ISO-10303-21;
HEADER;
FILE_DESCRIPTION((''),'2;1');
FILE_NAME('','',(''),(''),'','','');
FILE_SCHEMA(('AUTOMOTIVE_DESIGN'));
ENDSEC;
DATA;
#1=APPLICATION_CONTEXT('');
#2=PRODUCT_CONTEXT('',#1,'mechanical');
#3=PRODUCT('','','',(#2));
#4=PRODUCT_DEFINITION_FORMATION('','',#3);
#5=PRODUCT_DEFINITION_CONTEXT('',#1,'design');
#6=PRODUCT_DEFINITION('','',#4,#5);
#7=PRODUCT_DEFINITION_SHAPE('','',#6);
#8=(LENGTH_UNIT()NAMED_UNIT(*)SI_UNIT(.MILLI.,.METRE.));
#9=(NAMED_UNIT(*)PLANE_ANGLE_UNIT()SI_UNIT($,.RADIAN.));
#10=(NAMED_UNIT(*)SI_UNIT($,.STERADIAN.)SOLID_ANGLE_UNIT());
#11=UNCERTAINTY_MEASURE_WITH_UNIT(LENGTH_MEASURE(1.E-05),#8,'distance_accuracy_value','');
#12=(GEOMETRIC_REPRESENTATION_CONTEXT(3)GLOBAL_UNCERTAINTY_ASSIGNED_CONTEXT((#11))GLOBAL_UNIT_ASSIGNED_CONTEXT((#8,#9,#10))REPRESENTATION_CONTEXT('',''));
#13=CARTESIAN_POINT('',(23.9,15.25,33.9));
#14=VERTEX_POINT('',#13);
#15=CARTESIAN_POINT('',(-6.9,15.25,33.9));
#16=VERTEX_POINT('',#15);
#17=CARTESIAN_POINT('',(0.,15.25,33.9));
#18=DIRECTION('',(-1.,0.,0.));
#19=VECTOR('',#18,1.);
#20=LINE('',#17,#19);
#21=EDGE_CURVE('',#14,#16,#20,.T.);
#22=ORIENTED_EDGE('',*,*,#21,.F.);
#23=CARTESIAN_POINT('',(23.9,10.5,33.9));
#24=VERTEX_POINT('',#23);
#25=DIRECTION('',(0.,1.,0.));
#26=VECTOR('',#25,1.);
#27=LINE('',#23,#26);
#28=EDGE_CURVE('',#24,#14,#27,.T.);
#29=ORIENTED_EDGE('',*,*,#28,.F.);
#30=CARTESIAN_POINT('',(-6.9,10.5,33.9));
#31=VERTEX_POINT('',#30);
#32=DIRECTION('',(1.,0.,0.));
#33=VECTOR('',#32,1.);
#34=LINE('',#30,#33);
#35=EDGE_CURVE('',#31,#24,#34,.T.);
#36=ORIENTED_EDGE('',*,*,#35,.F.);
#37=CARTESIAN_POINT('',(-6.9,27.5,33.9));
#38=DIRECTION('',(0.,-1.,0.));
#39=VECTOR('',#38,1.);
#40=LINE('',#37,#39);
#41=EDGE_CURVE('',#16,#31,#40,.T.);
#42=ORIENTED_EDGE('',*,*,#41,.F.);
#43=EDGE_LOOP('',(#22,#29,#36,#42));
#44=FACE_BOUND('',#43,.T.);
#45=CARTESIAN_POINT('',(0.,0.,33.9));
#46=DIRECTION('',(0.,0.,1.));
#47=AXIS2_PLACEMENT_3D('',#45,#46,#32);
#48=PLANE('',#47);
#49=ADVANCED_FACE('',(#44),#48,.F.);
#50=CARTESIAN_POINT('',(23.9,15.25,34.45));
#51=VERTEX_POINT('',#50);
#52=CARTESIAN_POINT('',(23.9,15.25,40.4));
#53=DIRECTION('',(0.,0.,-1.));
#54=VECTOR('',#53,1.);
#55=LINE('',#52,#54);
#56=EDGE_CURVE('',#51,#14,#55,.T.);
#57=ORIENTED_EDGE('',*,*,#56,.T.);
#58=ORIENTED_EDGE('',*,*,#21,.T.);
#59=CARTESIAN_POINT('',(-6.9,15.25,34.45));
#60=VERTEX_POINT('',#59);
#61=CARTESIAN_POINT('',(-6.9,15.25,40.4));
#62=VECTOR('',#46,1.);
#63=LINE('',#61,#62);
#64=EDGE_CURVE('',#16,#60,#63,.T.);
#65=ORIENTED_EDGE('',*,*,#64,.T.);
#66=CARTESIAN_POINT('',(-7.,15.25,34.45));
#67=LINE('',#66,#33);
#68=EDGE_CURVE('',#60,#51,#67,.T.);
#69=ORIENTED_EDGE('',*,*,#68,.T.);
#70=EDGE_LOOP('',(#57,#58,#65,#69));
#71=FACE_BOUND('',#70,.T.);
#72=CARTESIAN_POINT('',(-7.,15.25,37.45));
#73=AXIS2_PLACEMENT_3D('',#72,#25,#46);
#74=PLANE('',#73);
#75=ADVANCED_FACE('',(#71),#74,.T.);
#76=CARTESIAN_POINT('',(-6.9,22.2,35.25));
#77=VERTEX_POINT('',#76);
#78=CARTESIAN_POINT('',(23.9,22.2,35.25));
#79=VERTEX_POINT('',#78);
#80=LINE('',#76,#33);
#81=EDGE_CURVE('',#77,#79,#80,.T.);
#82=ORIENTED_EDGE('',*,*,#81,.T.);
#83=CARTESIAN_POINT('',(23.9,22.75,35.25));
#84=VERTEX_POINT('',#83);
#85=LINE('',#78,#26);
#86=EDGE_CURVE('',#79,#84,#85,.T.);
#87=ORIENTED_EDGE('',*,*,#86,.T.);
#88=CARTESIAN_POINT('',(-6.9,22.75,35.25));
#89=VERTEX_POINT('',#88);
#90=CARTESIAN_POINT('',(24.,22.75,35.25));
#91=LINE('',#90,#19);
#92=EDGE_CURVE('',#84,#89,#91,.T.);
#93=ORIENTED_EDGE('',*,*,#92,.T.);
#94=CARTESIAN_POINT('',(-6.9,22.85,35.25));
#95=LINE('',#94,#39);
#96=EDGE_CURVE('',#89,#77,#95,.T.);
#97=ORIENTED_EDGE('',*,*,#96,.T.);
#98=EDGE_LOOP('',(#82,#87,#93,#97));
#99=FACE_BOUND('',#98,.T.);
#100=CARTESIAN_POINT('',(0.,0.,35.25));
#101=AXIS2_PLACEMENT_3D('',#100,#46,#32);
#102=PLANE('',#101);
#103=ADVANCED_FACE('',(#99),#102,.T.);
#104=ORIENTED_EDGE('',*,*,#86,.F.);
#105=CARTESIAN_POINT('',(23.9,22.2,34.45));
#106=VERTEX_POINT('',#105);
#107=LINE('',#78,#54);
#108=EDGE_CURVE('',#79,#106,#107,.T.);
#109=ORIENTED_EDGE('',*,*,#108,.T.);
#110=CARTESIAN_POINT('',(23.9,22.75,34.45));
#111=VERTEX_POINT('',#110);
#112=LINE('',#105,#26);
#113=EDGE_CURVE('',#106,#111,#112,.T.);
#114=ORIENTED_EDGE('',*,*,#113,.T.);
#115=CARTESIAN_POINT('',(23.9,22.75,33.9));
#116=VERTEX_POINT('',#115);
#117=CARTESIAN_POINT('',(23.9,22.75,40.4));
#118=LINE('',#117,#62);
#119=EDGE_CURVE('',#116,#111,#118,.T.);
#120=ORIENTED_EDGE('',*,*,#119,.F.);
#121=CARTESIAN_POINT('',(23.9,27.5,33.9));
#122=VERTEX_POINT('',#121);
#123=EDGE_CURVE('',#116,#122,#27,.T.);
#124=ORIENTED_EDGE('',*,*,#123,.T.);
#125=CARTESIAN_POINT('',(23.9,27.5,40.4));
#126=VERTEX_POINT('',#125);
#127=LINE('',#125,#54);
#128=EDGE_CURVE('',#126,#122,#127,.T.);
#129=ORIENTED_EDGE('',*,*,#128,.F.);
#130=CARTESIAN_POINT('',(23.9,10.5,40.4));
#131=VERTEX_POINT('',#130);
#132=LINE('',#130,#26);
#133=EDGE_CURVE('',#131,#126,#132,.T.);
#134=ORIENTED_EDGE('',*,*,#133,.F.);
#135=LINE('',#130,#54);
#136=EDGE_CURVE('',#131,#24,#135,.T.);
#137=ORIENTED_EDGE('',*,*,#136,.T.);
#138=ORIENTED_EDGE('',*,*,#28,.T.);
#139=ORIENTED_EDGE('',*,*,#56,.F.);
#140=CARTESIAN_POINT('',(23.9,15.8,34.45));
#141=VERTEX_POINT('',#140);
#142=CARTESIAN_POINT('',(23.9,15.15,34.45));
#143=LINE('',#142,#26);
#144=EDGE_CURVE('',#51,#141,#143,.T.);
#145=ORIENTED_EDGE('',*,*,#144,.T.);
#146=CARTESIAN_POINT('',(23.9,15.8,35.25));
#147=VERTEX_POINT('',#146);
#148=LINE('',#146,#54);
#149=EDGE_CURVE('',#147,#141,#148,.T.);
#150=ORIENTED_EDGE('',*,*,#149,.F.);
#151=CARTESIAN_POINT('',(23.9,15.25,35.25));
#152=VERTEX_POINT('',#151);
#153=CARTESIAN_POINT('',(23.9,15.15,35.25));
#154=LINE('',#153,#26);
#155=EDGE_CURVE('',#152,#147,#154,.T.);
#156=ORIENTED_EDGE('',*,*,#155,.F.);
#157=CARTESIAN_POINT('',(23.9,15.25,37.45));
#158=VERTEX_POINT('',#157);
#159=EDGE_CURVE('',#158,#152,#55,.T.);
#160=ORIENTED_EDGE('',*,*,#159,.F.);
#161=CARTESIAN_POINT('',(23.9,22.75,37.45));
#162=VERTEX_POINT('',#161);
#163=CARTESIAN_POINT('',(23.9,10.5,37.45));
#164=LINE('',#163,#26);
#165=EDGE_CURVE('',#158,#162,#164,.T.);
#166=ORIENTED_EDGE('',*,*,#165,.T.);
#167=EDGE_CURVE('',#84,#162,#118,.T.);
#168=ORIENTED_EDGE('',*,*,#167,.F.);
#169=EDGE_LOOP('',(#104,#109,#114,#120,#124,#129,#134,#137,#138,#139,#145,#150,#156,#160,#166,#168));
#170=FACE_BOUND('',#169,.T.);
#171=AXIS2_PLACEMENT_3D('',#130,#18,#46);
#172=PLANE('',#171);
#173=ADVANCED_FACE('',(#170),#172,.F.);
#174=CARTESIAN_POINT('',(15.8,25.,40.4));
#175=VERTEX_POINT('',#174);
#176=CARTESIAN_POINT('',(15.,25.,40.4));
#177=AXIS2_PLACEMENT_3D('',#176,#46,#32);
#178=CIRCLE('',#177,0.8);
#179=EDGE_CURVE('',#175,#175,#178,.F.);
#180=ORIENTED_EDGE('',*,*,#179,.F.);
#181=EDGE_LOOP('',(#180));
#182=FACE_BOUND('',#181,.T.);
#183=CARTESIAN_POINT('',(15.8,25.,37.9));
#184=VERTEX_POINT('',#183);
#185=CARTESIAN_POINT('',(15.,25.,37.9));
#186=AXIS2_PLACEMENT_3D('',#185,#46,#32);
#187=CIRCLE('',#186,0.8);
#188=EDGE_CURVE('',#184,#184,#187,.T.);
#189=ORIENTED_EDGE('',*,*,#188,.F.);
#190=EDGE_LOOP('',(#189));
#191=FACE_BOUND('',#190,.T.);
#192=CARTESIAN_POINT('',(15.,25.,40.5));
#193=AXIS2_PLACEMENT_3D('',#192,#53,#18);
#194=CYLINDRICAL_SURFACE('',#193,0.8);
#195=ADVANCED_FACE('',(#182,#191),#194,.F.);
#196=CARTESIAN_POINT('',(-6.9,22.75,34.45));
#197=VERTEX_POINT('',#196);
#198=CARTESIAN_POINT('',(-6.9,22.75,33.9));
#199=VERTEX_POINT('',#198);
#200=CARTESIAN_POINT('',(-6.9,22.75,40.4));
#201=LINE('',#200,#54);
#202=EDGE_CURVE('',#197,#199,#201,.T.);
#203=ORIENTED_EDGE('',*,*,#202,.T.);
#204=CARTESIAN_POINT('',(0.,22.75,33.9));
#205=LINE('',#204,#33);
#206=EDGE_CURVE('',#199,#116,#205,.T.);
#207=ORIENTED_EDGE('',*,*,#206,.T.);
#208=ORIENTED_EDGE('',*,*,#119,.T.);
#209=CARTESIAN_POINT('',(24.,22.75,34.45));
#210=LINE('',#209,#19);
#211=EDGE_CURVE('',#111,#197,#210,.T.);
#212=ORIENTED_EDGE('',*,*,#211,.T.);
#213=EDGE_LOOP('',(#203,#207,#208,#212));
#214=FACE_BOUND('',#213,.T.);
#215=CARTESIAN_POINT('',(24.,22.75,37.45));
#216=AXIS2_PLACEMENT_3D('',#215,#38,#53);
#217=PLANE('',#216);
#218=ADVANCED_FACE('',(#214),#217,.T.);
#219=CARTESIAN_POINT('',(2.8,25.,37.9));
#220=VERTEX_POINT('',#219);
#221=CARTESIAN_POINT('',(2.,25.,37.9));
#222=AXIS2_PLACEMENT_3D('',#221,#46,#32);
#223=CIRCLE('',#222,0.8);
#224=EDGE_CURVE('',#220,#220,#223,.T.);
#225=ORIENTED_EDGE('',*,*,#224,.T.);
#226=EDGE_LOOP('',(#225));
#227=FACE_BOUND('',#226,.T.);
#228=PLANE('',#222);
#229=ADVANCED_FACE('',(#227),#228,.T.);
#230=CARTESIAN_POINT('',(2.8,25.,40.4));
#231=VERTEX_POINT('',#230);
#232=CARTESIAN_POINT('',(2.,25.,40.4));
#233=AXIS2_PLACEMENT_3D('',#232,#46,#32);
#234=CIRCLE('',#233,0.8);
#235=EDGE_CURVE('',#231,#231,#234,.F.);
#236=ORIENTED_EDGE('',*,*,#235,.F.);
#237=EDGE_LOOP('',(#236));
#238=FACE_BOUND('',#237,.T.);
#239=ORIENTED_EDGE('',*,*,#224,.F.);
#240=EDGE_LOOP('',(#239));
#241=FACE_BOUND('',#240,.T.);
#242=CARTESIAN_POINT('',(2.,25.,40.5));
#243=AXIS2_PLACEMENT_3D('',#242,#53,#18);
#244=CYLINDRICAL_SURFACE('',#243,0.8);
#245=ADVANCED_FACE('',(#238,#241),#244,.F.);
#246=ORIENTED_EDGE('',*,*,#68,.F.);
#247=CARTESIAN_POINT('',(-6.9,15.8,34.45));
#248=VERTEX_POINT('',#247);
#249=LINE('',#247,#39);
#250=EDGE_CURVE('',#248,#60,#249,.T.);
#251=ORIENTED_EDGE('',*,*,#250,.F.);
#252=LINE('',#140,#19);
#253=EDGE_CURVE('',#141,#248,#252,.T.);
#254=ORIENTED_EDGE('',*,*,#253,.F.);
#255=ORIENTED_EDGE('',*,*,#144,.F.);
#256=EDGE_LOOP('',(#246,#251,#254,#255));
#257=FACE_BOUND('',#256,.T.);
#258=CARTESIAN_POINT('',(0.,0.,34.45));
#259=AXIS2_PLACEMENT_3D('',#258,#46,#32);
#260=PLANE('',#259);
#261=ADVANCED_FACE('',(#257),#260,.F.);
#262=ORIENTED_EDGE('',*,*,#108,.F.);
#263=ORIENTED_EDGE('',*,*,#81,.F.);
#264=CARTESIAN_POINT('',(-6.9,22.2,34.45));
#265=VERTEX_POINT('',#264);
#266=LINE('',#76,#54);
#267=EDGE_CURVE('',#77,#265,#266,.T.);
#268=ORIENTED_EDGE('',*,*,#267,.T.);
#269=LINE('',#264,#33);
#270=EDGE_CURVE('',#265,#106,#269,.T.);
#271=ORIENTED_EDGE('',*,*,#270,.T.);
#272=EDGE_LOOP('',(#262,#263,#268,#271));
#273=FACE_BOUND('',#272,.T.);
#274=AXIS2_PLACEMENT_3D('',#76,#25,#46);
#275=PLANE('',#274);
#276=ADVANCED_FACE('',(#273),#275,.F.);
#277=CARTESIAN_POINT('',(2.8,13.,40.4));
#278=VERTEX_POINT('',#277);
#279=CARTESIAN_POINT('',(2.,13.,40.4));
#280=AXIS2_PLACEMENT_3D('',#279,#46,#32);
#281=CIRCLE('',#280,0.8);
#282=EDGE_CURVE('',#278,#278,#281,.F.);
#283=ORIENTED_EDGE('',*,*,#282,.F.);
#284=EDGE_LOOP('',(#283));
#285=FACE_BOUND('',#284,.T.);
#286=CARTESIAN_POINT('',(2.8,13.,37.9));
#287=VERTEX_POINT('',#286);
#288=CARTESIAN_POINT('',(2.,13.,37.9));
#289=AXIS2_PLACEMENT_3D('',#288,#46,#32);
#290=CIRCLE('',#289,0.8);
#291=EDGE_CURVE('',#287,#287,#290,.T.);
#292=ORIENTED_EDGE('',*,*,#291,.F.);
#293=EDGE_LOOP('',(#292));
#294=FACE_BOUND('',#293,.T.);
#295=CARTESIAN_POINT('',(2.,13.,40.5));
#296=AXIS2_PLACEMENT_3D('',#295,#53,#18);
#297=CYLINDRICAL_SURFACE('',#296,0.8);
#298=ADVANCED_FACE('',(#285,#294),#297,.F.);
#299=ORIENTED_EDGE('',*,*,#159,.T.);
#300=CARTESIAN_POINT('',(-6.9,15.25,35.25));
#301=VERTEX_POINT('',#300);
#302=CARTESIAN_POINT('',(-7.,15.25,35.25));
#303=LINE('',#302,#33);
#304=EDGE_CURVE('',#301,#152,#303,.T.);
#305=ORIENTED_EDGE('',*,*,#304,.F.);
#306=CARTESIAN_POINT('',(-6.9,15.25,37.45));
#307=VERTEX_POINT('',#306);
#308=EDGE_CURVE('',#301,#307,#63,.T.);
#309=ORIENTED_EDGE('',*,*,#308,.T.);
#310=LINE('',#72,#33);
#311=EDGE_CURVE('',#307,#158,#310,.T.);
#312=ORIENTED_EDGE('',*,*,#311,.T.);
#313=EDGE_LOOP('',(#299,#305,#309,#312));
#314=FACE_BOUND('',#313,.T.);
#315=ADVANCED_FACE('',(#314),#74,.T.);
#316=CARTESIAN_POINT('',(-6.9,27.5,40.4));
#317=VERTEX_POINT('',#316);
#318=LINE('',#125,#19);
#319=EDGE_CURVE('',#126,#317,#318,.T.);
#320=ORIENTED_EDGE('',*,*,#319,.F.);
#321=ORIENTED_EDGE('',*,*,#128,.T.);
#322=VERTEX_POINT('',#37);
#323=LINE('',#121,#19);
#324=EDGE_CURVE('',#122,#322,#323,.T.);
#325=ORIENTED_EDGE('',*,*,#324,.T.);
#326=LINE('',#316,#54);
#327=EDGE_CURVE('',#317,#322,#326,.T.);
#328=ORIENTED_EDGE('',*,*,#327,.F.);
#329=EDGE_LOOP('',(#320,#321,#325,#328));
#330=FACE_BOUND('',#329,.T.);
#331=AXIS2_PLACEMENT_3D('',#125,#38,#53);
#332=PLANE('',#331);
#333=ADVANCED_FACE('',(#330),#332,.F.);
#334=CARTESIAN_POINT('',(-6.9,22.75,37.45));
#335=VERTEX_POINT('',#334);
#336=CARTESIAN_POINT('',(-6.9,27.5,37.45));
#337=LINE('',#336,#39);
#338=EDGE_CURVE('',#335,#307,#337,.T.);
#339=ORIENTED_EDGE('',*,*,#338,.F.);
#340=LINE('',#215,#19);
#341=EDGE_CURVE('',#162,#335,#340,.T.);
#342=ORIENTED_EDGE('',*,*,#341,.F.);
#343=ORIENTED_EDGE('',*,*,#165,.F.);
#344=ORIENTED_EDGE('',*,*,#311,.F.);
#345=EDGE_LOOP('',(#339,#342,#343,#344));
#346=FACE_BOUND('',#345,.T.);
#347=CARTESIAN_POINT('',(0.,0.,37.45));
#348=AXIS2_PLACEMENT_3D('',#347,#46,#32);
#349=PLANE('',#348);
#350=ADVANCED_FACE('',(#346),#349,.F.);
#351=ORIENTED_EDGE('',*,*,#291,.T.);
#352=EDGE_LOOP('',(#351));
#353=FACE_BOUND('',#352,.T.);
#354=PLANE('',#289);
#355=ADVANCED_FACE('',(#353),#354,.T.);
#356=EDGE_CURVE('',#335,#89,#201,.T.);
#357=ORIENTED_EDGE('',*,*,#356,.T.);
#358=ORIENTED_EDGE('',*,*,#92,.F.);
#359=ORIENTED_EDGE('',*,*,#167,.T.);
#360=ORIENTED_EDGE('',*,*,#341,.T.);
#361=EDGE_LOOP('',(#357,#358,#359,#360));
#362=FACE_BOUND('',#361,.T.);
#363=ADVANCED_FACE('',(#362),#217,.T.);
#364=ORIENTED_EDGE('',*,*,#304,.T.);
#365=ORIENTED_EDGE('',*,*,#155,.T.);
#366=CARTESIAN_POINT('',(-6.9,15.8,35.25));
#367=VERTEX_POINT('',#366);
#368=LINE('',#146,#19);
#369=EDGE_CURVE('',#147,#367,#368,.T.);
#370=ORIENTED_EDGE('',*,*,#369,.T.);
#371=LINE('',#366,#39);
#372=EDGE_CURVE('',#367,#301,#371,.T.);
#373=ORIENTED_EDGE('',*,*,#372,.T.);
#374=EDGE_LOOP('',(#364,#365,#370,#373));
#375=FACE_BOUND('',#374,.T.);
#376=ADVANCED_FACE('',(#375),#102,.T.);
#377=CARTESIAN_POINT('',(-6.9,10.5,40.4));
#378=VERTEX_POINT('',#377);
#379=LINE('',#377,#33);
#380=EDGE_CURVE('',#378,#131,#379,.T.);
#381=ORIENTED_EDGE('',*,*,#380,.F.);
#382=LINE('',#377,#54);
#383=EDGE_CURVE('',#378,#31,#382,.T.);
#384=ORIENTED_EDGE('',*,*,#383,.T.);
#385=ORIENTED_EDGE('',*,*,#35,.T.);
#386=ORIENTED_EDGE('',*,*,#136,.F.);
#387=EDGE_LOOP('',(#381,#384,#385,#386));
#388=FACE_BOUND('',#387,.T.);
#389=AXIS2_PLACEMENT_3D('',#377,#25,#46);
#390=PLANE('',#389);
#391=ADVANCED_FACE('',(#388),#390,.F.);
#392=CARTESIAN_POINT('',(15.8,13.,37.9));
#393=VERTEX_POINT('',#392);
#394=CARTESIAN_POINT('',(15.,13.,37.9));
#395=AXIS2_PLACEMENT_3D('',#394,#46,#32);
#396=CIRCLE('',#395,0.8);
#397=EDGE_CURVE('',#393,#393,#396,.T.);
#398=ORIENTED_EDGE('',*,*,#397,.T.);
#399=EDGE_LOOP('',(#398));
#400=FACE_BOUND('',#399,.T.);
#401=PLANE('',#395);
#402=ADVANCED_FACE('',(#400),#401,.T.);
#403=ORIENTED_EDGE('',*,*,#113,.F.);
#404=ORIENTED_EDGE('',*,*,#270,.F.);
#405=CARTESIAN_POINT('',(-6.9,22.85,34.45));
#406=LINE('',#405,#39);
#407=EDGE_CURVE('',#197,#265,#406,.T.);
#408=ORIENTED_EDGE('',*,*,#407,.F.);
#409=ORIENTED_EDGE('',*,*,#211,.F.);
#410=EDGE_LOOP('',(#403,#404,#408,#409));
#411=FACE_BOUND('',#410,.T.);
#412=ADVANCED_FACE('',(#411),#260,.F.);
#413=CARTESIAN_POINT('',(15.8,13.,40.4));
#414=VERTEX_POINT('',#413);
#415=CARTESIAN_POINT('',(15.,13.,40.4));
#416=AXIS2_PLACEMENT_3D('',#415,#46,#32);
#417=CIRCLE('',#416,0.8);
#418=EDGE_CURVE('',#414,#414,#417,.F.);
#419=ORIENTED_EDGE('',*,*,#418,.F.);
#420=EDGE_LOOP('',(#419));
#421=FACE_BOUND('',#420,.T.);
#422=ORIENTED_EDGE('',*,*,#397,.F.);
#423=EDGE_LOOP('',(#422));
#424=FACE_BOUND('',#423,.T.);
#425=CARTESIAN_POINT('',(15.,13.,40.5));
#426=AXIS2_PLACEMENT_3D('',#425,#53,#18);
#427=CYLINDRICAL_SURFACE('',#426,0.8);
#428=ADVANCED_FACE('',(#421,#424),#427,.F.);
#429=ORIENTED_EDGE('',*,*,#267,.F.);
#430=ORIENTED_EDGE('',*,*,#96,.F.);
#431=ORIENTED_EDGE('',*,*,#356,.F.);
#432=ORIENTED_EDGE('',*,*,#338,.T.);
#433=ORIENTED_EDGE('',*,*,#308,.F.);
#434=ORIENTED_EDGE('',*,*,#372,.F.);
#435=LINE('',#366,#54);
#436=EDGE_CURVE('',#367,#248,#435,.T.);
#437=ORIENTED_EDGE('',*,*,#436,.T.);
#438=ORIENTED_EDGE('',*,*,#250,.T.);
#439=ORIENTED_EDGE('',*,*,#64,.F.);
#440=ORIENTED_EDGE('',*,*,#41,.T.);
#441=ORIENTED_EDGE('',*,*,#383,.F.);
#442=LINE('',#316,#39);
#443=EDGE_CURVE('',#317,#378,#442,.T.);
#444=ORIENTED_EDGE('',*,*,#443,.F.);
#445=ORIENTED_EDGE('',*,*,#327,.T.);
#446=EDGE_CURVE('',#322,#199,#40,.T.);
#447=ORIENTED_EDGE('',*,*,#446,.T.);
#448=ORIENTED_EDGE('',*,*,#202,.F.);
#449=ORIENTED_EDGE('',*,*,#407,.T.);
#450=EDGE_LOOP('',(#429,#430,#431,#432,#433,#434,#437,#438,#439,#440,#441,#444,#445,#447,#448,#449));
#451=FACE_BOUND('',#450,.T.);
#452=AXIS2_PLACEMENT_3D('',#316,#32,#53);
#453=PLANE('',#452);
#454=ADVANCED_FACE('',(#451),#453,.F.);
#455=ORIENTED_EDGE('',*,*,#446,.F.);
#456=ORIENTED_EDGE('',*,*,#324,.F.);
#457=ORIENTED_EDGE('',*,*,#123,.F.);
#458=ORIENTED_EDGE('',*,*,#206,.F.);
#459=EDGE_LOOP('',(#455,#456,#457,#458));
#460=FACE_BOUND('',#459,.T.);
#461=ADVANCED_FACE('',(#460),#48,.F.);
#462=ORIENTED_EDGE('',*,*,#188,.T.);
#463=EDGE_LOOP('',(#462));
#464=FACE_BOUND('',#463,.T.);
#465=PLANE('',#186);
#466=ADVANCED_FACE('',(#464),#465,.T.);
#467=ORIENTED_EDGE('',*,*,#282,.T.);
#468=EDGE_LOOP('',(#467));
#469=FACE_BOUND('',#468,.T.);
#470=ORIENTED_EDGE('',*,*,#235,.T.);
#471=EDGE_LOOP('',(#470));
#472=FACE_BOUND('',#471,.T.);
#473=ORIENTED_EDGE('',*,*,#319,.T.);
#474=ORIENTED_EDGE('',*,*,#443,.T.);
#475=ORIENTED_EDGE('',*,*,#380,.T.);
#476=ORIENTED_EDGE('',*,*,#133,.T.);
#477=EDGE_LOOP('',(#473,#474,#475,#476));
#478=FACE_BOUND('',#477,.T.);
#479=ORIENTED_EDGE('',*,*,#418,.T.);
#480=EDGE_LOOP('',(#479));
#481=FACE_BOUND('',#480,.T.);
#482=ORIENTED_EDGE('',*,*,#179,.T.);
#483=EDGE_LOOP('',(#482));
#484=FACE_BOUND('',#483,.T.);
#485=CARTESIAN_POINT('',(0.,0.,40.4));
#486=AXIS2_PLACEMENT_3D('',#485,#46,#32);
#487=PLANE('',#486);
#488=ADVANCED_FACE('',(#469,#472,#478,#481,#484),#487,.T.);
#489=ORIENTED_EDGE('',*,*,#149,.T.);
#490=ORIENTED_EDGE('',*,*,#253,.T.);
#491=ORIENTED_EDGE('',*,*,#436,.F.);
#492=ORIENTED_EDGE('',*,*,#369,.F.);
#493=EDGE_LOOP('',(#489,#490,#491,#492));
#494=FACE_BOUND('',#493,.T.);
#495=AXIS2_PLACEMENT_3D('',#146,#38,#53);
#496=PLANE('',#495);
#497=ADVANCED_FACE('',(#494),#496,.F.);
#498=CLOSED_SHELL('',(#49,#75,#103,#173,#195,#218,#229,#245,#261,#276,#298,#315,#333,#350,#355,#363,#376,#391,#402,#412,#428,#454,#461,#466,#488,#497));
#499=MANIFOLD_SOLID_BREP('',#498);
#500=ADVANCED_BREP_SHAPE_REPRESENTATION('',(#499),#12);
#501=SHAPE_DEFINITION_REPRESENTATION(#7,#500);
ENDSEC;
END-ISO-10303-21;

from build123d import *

# Parameters (mm, degrees)
MGN7H_START                                 = 33.9
MGN7H_30_8_X_17_MM_BLOCK_PROFILE_W          = 30.8
MGN7H_30_8_X_17_MM_BLOCK_PROFILE_H          = 17
MGN7H_30_8_X_17_MM_BLOCK_DEPTH              = 6.5
RAIL_START                                  = 33.85
RAIL_SLOT_AND_RUNNING_CLEARANCE_PROFILE_W   = 31
RAIL_SLOT_AND_RUNNING_CLEARANCE_PROFILE_H   = 7.5
RAIL_SLOT_AND_RUNNING_CLEARANCE_DEPTH       = 3.6
NOMINAL_START                               = 34.45
NOMINAL_RACEWAY_SHOULDERS_PROFILE_W         = 30.8
NOMINAL_RACEWAY_SHOULDERS_PROFILE_H         = 0.65
NOMINAL_RACEWAY_SHOULDERS_DEPTH             = 0.8
M2_START                                    = 37.9
M2_X_2_5_BLOCK_HOLES_13_X_12_MM_PITCH_PR_R  = 0.8
M2_X_2_5_BLOCK_HOLES_13_X_12_MM_PITCH_DEPTH = 2.6


with BuildPart() as part:
    # MGN7H 30.8 x 17 mm block profile → MGN7H 30.8 x 17 mm block (new body)
    with BuildSketch(Plane.XY.offset(MGN7H_START)):
        with Locations((8.5, 19)):
            Rectangle(MGN7H_30_8_X_17_MM_BLOCK_PROFILE_W, MGN7H_30_8_X_17_MM_BLOCK_PROFILE_H)
    extrude(amount=MGN7H_30_8_X_17_MM_BLOCK_DEPTH)

    # Rail slot and running clearance profile → Rail slot and running clearance (cut)
    with BuildSketch(Plane.XY.offset(RAIL_START)):
        with Locations((8.5, 19)):
            Rectangle(RAIL_SLOT_AND_RUNNING_CLEARANCE_PROFILE_W, RAIL_SLOT_AND_RUNNING_CLEARANCE_PROFILE_H)
    extrude(amount=RAIL_SLOT_AND_RUNNING_CLEARANCE_DEPTH, mode=Mode.SUBTRACT)

    # Nominal raceway shoulders profile → Nominal raceway shoulders (add)
    with BuildSketch(Plane.XY.offset(NOMINAL_START)):
        with Locations((8.5, 15.475)):
            Rectangle(NOMINAL_RACEWAY_SHOULDERS_PROFILE_W, NOMINAL_RACEWAY_SHOULDERS_PROFILE_H)
        with Locations((8.5, 22.525)):
            Rectangle(NOMINAL_RACEWAY_SHOULDERS_PROFILE_W, NOMINAL_RACEWAY_SHOULDERS_PROFILE_H)
    extrude(amount=NOMINAL_RACEWAY_SHOULDERS_DEPTH)

    # M2 x 2.5 block holes 13 x 12 mm pitch profile → M2 x 2.5 block holes 13 x 12 mm pitch (cut)
    with BuildSketch(Plane.XY.offset(M2_START)):
        with Locations((2, 13)):
            Circle(M2_X_2_5_BLOCK_HOLES_13_X_12_MM_PITCH_PR_R)
        with Locations((2, 25)):
            Circle(M2_X_2_5_BLOCK_HOLES_13_X_12_MM_PITCH_PR_R)
        with Locations((15, 13)):
            Circle(M2_X_2_5_BLOCK_HOLES_13_X_12_MM_PITCH_PR_R)
        with Locations((15, 25)):
            Circle(M2_X_2_5_BLOCK_HOLES_13_X_12_MM_PITCH_PR_R)
    extrude(amount=M2_X_2_5_BLOCK_HOLES_13_X_12_MM_PITCH_DEPTH, mode=Mode.SUBTRACT)


solid = part.part
